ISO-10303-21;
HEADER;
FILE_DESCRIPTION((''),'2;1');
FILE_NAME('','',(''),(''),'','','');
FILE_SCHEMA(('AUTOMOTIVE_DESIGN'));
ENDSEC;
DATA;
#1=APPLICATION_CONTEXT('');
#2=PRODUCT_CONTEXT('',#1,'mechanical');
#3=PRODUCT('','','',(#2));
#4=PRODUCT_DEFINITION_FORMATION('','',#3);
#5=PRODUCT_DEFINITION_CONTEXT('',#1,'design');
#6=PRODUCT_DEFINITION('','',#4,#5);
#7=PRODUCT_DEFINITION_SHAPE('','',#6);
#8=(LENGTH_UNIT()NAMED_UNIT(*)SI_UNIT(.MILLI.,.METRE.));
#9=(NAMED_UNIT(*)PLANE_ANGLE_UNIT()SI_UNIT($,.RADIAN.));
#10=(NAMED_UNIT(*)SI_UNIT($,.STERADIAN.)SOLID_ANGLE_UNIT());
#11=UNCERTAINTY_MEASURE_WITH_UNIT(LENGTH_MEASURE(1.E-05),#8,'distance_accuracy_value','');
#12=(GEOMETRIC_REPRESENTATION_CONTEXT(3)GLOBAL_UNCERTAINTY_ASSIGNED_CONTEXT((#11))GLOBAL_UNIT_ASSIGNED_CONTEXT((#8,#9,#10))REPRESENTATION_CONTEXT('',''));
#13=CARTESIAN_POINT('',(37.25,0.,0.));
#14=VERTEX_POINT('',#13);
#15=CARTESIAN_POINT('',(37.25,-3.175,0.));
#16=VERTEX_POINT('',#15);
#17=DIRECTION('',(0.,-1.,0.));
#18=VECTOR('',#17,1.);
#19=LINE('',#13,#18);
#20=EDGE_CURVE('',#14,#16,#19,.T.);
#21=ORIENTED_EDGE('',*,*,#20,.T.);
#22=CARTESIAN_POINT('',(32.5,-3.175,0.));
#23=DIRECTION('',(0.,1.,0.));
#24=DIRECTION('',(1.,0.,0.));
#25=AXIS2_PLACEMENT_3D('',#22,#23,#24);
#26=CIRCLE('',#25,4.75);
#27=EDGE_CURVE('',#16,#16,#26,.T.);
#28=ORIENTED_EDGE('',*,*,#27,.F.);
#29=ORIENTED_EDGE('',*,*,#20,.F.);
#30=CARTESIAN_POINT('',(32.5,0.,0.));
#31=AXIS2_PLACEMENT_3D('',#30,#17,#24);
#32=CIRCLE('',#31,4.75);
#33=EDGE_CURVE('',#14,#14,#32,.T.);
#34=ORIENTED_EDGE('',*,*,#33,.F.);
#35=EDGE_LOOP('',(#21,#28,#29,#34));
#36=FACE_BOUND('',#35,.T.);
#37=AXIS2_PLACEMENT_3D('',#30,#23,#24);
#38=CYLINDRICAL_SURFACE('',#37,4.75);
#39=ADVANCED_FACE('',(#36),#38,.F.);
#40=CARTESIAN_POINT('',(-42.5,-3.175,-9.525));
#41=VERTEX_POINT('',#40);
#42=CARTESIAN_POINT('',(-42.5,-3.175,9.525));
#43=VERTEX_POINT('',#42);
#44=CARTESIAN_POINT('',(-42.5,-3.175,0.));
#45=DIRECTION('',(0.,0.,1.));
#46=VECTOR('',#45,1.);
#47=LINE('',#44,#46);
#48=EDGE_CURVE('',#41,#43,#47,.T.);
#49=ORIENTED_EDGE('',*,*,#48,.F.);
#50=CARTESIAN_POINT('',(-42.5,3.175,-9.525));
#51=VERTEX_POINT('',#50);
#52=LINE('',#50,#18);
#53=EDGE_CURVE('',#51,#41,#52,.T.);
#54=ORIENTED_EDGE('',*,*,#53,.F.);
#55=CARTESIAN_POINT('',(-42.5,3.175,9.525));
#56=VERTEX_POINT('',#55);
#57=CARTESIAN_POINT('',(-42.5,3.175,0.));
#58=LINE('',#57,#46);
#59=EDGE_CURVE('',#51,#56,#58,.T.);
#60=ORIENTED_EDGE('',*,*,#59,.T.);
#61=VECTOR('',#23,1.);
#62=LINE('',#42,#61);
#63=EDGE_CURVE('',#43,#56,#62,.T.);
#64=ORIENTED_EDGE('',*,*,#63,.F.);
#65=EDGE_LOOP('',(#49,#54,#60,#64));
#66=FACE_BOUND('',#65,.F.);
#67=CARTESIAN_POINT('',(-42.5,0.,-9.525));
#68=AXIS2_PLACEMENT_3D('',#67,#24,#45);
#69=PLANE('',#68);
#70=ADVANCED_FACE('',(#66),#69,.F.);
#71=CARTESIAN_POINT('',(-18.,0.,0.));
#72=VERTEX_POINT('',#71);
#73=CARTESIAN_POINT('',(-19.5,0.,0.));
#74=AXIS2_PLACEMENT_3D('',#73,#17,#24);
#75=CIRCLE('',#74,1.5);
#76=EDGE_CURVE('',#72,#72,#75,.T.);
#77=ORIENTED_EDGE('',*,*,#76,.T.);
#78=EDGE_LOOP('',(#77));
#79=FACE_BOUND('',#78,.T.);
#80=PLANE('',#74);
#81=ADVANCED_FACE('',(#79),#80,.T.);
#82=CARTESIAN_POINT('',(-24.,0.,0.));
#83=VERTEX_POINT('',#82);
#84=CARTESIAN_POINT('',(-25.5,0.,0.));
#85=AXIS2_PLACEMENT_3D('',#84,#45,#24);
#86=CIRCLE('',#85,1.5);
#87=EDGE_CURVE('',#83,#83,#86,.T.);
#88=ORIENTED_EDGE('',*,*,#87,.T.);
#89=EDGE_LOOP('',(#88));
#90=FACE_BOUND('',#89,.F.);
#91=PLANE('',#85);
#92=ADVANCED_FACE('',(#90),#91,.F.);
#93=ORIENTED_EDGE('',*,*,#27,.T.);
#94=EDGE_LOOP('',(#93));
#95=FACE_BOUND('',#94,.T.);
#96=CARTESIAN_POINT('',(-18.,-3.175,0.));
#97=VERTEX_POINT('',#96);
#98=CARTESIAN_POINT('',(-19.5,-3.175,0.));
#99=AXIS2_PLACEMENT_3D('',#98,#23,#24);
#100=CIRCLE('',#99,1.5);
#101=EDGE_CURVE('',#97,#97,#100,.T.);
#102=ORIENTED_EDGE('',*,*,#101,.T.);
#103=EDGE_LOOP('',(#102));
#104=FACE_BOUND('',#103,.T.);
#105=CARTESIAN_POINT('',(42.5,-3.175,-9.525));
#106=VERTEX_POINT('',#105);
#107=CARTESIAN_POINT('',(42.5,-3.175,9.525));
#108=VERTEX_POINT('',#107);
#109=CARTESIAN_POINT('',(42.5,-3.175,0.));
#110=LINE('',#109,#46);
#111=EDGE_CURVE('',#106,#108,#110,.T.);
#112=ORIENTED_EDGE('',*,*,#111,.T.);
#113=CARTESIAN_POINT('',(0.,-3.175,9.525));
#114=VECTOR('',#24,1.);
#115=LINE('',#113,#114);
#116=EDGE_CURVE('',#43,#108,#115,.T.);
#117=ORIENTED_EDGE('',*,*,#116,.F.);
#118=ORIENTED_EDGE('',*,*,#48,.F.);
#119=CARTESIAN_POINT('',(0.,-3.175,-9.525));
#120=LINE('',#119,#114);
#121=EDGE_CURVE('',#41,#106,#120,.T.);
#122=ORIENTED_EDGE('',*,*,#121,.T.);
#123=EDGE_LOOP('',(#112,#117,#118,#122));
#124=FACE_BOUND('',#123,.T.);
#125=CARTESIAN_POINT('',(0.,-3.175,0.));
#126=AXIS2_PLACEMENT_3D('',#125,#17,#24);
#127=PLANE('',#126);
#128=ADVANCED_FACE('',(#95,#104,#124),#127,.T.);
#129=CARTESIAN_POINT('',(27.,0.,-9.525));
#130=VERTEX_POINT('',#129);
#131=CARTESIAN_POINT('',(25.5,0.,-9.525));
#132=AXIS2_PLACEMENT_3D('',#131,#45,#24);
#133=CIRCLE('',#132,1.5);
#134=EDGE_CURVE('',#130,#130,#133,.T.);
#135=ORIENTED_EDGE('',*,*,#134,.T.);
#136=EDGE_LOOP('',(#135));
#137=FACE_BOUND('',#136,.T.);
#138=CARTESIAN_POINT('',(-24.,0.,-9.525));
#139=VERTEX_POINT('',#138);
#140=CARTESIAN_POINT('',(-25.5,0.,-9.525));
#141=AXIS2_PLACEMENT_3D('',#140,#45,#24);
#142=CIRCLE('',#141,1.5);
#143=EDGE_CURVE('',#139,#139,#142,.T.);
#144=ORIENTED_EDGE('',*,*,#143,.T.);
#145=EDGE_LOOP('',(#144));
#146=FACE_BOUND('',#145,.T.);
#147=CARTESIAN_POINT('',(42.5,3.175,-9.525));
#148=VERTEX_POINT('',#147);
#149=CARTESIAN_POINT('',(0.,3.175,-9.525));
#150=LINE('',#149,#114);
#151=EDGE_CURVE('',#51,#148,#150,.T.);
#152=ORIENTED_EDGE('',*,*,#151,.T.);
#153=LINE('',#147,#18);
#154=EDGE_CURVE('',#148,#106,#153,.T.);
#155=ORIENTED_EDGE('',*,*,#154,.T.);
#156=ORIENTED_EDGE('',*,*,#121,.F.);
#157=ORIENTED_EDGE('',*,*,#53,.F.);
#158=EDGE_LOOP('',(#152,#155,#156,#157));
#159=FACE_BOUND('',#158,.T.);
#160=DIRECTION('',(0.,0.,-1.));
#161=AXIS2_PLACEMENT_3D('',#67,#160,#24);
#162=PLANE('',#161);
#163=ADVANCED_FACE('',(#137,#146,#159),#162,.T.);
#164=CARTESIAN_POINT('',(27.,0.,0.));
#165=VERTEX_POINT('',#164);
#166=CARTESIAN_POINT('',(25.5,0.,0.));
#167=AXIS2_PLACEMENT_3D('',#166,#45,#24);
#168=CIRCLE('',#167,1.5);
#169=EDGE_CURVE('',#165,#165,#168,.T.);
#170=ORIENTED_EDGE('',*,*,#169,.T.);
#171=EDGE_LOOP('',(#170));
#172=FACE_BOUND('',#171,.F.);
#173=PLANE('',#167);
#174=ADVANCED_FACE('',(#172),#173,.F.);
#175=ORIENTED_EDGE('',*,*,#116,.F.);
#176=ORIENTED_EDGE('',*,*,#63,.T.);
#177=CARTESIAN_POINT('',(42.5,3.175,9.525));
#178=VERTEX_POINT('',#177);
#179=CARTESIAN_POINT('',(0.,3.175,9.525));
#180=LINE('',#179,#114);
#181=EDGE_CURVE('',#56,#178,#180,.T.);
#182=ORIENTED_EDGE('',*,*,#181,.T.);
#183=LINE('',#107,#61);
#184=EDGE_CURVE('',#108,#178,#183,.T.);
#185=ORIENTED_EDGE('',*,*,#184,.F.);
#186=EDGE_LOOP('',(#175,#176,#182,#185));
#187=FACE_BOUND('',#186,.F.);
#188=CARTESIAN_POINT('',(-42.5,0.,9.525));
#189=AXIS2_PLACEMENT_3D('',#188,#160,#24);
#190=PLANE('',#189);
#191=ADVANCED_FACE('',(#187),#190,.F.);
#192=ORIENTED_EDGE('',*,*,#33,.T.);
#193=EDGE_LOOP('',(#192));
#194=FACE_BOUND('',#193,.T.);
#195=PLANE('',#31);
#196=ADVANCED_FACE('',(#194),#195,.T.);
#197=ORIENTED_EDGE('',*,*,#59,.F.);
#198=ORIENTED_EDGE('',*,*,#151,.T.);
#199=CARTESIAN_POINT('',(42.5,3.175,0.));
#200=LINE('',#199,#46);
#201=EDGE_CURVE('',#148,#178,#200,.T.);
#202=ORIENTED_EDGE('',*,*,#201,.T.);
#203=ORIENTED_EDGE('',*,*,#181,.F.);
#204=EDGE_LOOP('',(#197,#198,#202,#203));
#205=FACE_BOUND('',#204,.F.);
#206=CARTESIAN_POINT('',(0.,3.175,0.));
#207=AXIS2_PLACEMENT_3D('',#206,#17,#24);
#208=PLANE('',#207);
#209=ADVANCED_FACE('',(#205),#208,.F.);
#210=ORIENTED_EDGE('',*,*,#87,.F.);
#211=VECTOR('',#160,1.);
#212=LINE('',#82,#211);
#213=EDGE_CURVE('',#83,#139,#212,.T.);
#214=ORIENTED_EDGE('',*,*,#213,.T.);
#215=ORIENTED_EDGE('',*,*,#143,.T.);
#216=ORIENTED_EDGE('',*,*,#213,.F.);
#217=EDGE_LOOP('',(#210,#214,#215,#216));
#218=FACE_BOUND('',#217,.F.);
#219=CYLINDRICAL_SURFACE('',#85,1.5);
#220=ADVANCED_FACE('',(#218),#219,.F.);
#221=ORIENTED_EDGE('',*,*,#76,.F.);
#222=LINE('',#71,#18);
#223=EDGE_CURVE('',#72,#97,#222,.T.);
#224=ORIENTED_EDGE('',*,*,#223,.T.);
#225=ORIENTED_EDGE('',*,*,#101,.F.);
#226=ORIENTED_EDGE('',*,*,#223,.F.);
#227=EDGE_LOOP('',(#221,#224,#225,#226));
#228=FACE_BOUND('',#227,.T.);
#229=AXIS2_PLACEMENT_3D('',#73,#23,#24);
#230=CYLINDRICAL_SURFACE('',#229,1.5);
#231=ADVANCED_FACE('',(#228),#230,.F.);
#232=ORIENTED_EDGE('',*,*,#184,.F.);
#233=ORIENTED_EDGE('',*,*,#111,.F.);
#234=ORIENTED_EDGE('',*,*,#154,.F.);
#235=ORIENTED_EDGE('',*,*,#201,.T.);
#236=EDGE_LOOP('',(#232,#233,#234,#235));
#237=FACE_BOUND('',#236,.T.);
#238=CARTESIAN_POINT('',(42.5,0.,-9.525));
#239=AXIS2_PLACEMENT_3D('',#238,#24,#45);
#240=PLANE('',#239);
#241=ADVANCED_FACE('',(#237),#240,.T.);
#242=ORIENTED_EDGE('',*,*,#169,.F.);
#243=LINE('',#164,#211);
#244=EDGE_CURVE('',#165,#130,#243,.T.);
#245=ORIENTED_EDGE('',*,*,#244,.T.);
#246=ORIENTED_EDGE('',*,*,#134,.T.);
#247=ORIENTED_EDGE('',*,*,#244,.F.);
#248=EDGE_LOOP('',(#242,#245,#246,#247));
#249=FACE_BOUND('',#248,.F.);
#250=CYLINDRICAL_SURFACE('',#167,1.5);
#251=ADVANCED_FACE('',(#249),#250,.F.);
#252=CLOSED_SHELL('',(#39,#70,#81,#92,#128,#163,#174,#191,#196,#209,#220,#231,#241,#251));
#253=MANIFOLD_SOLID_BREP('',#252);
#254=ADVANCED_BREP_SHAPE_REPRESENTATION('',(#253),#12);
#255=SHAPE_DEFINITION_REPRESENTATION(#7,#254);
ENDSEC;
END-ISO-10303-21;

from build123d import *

# Parameters (mm, degrees)
F0_W     = 85
F0_H     = 19.05
F1_DEPTH = 3.175
F3_R     = 4.75
F3_R_2   = 1.5
F4_DEPTH = 21.8
F2_R     = 1.5
F5_DEPTH = 15


with BuildPart() as f1:
    # F0 (on Front) → F1 (new body, symmetric)
    with BuildSketch(Plane.XZ):
        Rectangle(F0_W, F0_H)
    extrude(amount=F1_DEPTH, both=True)

    # F3 (on Front) → F4 (cut)
    with BuildSketch(Plane.XZ):
        with Locations((32.5, 0)):
            Circle(F3_R)
        with Locations((-19.5, 0)):
            Circle(F3_R_2)
    extrude(amount=F4_DEPTH, mode=Mode.SUBTRACT)

    # F2 (on Top) → F5 (cut)
    with BuildSketch(Plane.XY):
        with Locations((-25.5, 0)):
            Circle(F2_R)
        with Locations((25.5, 0)):
            Circle(F2_R)
    extrude(amount=-F5_DEPTH, mode=Mode.SUBTRACT)


solid = f1.part
